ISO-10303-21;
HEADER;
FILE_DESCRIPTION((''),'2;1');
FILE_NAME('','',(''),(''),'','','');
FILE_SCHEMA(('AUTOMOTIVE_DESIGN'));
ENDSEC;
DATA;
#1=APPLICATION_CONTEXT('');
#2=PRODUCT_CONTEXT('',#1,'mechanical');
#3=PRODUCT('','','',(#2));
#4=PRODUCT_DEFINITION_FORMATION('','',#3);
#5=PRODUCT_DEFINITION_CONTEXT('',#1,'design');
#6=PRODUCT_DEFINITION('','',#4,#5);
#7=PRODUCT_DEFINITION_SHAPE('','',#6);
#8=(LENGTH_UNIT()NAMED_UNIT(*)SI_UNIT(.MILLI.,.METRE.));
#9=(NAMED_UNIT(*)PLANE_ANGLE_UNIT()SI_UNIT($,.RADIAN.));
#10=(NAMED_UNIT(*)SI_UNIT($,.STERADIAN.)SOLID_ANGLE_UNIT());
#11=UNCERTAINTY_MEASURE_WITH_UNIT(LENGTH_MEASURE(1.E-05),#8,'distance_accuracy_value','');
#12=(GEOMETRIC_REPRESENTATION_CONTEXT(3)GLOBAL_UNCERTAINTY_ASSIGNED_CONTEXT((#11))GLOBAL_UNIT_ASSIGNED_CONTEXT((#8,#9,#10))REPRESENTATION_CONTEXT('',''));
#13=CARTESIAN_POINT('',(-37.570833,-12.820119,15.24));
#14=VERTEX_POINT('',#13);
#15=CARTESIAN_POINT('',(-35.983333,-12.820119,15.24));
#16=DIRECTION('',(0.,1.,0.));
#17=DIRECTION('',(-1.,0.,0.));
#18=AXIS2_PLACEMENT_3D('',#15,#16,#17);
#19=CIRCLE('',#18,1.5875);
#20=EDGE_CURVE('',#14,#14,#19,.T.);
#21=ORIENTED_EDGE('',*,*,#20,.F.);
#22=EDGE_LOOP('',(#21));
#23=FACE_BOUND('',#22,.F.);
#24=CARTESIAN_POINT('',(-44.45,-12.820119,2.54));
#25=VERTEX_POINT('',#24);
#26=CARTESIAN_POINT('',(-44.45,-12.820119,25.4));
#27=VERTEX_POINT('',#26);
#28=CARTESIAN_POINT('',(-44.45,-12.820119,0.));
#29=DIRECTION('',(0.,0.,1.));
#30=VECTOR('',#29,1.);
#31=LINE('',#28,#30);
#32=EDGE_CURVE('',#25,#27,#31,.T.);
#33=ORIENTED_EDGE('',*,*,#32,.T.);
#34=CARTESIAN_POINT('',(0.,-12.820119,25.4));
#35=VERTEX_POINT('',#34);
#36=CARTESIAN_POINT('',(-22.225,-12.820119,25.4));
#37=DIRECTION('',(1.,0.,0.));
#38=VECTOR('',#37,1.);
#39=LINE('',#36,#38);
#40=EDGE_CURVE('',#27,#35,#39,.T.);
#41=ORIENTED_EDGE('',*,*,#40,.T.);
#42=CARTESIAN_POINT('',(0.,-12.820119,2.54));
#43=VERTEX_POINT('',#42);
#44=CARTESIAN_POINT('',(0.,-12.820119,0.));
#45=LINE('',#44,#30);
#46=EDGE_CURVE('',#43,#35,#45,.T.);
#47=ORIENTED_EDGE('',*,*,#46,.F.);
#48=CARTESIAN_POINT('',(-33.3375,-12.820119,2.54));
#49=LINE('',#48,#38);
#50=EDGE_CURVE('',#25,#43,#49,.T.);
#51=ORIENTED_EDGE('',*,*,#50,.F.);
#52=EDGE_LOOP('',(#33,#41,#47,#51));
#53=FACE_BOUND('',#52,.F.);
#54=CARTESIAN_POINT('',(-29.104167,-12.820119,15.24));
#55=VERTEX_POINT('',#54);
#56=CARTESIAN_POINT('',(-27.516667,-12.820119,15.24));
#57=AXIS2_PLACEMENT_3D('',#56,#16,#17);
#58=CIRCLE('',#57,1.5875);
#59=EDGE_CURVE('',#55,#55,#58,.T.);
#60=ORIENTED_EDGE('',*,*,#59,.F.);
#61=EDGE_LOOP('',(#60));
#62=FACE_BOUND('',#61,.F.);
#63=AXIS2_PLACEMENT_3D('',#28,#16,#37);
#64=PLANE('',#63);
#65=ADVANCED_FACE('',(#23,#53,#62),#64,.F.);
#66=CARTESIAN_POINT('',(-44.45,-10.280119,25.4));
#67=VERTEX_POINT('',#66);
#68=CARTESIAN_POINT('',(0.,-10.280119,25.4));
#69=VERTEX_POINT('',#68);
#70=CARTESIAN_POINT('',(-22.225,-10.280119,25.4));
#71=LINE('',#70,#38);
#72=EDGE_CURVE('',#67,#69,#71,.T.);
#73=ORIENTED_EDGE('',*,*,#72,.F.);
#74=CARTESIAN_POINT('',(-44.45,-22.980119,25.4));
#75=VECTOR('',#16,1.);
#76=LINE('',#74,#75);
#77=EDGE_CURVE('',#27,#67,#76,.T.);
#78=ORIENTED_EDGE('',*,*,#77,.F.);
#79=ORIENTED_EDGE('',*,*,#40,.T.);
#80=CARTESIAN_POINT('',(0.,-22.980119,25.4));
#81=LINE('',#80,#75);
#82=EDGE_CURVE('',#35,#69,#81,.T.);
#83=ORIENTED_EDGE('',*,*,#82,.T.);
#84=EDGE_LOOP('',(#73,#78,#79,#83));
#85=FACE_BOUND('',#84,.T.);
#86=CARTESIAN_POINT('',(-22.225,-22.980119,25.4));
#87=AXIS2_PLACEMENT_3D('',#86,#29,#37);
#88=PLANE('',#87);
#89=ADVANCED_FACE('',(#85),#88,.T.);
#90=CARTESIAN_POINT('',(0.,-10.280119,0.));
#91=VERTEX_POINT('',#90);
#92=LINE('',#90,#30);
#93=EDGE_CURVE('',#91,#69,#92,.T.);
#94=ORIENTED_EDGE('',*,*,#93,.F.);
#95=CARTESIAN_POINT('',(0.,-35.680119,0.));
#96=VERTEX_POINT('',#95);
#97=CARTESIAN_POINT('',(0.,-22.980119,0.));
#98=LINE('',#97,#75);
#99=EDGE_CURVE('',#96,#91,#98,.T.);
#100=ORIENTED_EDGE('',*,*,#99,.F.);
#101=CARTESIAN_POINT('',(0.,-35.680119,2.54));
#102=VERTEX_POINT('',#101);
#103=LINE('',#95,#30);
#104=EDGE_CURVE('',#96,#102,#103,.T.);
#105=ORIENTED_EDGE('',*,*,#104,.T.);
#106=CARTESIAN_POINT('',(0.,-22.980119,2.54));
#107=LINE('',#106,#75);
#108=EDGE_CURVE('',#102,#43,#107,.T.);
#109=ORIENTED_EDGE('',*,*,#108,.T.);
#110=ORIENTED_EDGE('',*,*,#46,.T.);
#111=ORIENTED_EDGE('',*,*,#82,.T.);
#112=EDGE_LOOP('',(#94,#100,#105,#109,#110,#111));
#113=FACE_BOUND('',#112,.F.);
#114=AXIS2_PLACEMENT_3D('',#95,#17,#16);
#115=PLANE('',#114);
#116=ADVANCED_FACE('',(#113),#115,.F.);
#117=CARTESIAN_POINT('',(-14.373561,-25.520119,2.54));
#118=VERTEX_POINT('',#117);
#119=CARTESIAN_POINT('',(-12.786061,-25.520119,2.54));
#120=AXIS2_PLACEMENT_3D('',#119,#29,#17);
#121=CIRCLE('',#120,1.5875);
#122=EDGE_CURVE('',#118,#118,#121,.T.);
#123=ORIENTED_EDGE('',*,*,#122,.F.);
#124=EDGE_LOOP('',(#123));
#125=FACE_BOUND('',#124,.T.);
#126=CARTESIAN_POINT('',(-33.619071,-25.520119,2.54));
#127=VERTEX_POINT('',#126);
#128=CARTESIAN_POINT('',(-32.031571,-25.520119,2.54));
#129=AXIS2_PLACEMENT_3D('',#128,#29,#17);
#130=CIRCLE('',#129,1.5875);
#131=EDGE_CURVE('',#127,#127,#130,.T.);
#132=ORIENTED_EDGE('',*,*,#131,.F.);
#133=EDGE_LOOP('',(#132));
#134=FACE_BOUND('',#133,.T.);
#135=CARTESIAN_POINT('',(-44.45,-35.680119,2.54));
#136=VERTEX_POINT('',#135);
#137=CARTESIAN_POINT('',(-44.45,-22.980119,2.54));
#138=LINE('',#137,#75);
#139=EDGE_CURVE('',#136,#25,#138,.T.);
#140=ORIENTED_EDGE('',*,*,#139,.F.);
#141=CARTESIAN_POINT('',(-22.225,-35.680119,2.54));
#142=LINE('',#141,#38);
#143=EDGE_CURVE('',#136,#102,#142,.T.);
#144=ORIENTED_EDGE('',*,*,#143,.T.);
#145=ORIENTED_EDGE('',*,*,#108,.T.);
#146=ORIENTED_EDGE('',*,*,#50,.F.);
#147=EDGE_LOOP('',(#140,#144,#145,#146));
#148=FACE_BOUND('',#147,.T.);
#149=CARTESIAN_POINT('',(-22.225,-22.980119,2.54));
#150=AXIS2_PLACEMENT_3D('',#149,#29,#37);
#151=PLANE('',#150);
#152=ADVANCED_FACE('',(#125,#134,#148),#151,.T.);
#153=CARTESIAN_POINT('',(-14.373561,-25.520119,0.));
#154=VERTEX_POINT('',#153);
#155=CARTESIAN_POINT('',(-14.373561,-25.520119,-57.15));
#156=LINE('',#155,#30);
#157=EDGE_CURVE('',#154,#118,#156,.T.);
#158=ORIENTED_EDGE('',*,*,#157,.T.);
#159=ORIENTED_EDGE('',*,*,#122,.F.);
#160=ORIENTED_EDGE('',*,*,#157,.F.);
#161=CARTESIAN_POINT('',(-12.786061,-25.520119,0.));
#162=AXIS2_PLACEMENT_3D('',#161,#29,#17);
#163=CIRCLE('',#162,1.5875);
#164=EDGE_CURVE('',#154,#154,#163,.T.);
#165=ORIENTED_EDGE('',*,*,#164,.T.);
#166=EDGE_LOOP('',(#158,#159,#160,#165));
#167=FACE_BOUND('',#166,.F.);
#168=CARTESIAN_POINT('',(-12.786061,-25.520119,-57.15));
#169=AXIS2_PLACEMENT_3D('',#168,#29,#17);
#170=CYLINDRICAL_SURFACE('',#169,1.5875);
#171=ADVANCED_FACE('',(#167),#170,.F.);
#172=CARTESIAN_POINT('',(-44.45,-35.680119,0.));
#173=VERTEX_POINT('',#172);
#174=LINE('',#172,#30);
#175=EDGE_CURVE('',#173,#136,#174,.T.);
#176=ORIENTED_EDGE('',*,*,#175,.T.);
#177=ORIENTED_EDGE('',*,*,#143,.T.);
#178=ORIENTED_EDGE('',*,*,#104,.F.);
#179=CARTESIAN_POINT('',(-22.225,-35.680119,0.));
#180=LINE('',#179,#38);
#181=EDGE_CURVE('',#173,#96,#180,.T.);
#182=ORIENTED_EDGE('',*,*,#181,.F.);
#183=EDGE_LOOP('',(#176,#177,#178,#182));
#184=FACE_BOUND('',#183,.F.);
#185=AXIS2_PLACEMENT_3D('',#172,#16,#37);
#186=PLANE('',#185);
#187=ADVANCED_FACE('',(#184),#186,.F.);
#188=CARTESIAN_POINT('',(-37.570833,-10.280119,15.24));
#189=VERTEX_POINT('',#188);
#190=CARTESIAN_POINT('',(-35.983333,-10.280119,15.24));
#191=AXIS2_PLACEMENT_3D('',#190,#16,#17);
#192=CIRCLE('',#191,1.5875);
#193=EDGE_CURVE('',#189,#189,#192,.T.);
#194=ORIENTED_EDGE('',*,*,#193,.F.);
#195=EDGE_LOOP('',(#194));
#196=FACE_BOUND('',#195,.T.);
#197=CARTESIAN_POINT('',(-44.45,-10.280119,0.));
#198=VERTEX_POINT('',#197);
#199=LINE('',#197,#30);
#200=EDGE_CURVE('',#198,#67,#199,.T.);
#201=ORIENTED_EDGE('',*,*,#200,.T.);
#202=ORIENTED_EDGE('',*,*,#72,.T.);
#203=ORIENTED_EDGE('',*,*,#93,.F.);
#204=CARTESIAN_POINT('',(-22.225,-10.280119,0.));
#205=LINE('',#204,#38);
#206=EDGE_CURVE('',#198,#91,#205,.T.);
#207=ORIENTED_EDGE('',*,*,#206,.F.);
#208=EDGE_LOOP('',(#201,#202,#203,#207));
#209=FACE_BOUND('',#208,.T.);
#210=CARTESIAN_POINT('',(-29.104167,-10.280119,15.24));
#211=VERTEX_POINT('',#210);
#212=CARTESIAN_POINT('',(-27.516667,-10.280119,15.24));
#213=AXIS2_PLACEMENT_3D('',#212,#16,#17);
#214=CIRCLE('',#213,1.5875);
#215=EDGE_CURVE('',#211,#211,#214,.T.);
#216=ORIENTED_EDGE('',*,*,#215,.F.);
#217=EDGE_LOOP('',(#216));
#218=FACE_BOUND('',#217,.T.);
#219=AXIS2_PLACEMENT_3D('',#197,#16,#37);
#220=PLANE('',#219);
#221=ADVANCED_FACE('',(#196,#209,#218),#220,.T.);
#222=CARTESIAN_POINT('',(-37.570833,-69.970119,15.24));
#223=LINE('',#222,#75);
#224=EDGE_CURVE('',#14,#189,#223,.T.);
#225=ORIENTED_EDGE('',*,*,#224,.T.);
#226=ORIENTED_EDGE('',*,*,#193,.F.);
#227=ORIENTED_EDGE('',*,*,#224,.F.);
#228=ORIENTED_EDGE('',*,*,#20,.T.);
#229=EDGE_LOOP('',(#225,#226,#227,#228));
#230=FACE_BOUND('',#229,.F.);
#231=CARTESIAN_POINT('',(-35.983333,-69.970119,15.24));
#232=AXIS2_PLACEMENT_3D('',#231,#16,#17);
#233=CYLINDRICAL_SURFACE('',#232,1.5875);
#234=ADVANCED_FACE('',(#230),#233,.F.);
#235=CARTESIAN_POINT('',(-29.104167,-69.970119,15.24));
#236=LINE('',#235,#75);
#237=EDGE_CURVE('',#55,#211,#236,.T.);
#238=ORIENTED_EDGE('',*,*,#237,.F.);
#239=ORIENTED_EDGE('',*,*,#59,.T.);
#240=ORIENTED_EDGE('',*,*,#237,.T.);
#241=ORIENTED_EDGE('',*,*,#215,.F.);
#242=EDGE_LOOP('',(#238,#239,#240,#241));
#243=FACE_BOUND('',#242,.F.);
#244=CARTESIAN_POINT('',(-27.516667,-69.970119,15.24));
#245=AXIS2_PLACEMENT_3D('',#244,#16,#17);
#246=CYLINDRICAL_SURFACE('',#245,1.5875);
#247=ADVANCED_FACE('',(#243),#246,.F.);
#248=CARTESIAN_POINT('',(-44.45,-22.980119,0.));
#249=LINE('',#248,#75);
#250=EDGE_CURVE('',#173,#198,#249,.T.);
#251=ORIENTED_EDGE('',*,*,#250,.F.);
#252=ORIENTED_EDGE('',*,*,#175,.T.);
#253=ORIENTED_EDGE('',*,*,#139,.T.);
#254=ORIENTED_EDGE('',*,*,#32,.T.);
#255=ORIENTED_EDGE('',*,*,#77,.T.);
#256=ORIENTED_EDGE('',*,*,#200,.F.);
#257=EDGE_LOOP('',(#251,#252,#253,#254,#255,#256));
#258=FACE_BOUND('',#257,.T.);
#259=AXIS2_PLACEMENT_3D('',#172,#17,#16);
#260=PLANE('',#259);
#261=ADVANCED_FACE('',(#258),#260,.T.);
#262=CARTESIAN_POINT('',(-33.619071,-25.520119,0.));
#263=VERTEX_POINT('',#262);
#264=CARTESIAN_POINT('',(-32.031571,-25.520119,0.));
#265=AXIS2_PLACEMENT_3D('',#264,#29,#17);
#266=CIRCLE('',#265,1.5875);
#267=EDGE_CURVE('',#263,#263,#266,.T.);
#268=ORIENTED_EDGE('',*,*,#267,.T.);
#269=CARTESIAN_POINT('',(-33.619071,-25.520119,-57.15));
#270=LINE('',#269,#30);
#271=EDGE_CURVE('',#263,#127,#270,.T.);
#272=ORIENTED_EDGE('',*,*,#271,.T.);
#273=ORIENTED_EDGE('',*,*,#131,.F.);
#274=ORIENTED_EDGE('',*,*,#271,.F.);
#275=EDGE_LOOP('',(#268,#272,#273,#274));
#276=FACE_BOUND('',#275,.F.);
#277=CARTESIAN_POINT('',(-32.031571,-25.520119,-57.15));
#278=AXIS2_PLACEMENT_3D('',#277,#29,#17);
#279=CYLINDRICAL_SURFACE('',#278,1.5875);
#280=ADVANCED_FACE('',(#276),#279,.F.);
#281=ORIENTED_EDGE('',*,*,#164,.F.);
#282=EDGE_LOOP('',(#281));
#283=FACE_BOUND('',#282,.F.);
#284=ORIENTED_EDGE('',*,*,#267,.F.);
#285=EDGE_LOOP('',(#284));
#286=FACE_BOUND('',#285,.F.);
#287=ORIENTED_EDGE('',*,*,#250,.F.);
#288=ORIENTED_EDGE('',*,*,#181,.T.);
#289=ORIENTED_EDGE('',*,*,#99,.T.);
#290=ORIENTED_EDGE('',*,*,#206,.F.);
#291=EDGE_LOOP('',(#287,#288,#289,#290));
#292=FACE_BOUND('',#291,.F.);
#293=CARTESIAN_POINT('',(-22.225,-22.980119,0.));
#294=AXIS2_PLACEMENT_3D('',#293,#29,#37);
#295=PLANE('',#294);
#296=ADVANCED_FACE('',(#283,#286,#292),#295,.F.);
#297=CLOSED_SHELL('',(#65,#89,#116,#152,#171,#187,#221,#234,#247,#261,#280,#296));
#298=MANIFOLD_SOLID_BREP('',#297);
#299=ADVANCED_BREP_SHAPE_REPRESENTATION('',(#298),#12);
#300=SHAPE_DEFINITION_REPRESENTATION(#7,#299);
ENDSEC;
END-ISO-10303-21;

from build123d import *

# Parameters (mm, degrees)
F0_W     = 44.45
F0_H     = 25.4
F1_DEPTH = 25.4
F2_T     = -2.54
F4_D     = 3.175
F6_D     = 3.175


with BuildPart() as f1:
    # F0 (on Top) → F1 (new body)
    with BuildSketch(Plane.XY):
        with Locations((-22.225, -22.980119)):
            Rectangle(F0_W, F0_H)
    extrude(amount=F1_DEPTH)

    # F2
    f2_openings = [f1.faces().sort_by_distance(p)[0] for p in [
        (-22.225, -22.980119, 25.4),
        (0, -22.980119, 12.7),
        (-22.225, -35.680119, 12.7),
        (-44.45, -22.980119, 12.7),
    ]]
    offset(amount=F2_T, openings=f2_openings)

    # F4 (through all)
    with Locations(Plane.XZ.offset(12.820119)):
        with Locations((-35.983333, 15.24), (-27.516667, 15.24)):
            Hole(F4_D / 2)

    # F6 (through all)
    with Locations(Plane(origin=(0, 0, 0), x_dir=(1, 0, 0), z_dir=(0, 0, -1))):
        with Locations((-12.786061, 25.520119), (-32.031571, 25.520119)):
            Hole(F6_D / 2)


solid = f1.part
